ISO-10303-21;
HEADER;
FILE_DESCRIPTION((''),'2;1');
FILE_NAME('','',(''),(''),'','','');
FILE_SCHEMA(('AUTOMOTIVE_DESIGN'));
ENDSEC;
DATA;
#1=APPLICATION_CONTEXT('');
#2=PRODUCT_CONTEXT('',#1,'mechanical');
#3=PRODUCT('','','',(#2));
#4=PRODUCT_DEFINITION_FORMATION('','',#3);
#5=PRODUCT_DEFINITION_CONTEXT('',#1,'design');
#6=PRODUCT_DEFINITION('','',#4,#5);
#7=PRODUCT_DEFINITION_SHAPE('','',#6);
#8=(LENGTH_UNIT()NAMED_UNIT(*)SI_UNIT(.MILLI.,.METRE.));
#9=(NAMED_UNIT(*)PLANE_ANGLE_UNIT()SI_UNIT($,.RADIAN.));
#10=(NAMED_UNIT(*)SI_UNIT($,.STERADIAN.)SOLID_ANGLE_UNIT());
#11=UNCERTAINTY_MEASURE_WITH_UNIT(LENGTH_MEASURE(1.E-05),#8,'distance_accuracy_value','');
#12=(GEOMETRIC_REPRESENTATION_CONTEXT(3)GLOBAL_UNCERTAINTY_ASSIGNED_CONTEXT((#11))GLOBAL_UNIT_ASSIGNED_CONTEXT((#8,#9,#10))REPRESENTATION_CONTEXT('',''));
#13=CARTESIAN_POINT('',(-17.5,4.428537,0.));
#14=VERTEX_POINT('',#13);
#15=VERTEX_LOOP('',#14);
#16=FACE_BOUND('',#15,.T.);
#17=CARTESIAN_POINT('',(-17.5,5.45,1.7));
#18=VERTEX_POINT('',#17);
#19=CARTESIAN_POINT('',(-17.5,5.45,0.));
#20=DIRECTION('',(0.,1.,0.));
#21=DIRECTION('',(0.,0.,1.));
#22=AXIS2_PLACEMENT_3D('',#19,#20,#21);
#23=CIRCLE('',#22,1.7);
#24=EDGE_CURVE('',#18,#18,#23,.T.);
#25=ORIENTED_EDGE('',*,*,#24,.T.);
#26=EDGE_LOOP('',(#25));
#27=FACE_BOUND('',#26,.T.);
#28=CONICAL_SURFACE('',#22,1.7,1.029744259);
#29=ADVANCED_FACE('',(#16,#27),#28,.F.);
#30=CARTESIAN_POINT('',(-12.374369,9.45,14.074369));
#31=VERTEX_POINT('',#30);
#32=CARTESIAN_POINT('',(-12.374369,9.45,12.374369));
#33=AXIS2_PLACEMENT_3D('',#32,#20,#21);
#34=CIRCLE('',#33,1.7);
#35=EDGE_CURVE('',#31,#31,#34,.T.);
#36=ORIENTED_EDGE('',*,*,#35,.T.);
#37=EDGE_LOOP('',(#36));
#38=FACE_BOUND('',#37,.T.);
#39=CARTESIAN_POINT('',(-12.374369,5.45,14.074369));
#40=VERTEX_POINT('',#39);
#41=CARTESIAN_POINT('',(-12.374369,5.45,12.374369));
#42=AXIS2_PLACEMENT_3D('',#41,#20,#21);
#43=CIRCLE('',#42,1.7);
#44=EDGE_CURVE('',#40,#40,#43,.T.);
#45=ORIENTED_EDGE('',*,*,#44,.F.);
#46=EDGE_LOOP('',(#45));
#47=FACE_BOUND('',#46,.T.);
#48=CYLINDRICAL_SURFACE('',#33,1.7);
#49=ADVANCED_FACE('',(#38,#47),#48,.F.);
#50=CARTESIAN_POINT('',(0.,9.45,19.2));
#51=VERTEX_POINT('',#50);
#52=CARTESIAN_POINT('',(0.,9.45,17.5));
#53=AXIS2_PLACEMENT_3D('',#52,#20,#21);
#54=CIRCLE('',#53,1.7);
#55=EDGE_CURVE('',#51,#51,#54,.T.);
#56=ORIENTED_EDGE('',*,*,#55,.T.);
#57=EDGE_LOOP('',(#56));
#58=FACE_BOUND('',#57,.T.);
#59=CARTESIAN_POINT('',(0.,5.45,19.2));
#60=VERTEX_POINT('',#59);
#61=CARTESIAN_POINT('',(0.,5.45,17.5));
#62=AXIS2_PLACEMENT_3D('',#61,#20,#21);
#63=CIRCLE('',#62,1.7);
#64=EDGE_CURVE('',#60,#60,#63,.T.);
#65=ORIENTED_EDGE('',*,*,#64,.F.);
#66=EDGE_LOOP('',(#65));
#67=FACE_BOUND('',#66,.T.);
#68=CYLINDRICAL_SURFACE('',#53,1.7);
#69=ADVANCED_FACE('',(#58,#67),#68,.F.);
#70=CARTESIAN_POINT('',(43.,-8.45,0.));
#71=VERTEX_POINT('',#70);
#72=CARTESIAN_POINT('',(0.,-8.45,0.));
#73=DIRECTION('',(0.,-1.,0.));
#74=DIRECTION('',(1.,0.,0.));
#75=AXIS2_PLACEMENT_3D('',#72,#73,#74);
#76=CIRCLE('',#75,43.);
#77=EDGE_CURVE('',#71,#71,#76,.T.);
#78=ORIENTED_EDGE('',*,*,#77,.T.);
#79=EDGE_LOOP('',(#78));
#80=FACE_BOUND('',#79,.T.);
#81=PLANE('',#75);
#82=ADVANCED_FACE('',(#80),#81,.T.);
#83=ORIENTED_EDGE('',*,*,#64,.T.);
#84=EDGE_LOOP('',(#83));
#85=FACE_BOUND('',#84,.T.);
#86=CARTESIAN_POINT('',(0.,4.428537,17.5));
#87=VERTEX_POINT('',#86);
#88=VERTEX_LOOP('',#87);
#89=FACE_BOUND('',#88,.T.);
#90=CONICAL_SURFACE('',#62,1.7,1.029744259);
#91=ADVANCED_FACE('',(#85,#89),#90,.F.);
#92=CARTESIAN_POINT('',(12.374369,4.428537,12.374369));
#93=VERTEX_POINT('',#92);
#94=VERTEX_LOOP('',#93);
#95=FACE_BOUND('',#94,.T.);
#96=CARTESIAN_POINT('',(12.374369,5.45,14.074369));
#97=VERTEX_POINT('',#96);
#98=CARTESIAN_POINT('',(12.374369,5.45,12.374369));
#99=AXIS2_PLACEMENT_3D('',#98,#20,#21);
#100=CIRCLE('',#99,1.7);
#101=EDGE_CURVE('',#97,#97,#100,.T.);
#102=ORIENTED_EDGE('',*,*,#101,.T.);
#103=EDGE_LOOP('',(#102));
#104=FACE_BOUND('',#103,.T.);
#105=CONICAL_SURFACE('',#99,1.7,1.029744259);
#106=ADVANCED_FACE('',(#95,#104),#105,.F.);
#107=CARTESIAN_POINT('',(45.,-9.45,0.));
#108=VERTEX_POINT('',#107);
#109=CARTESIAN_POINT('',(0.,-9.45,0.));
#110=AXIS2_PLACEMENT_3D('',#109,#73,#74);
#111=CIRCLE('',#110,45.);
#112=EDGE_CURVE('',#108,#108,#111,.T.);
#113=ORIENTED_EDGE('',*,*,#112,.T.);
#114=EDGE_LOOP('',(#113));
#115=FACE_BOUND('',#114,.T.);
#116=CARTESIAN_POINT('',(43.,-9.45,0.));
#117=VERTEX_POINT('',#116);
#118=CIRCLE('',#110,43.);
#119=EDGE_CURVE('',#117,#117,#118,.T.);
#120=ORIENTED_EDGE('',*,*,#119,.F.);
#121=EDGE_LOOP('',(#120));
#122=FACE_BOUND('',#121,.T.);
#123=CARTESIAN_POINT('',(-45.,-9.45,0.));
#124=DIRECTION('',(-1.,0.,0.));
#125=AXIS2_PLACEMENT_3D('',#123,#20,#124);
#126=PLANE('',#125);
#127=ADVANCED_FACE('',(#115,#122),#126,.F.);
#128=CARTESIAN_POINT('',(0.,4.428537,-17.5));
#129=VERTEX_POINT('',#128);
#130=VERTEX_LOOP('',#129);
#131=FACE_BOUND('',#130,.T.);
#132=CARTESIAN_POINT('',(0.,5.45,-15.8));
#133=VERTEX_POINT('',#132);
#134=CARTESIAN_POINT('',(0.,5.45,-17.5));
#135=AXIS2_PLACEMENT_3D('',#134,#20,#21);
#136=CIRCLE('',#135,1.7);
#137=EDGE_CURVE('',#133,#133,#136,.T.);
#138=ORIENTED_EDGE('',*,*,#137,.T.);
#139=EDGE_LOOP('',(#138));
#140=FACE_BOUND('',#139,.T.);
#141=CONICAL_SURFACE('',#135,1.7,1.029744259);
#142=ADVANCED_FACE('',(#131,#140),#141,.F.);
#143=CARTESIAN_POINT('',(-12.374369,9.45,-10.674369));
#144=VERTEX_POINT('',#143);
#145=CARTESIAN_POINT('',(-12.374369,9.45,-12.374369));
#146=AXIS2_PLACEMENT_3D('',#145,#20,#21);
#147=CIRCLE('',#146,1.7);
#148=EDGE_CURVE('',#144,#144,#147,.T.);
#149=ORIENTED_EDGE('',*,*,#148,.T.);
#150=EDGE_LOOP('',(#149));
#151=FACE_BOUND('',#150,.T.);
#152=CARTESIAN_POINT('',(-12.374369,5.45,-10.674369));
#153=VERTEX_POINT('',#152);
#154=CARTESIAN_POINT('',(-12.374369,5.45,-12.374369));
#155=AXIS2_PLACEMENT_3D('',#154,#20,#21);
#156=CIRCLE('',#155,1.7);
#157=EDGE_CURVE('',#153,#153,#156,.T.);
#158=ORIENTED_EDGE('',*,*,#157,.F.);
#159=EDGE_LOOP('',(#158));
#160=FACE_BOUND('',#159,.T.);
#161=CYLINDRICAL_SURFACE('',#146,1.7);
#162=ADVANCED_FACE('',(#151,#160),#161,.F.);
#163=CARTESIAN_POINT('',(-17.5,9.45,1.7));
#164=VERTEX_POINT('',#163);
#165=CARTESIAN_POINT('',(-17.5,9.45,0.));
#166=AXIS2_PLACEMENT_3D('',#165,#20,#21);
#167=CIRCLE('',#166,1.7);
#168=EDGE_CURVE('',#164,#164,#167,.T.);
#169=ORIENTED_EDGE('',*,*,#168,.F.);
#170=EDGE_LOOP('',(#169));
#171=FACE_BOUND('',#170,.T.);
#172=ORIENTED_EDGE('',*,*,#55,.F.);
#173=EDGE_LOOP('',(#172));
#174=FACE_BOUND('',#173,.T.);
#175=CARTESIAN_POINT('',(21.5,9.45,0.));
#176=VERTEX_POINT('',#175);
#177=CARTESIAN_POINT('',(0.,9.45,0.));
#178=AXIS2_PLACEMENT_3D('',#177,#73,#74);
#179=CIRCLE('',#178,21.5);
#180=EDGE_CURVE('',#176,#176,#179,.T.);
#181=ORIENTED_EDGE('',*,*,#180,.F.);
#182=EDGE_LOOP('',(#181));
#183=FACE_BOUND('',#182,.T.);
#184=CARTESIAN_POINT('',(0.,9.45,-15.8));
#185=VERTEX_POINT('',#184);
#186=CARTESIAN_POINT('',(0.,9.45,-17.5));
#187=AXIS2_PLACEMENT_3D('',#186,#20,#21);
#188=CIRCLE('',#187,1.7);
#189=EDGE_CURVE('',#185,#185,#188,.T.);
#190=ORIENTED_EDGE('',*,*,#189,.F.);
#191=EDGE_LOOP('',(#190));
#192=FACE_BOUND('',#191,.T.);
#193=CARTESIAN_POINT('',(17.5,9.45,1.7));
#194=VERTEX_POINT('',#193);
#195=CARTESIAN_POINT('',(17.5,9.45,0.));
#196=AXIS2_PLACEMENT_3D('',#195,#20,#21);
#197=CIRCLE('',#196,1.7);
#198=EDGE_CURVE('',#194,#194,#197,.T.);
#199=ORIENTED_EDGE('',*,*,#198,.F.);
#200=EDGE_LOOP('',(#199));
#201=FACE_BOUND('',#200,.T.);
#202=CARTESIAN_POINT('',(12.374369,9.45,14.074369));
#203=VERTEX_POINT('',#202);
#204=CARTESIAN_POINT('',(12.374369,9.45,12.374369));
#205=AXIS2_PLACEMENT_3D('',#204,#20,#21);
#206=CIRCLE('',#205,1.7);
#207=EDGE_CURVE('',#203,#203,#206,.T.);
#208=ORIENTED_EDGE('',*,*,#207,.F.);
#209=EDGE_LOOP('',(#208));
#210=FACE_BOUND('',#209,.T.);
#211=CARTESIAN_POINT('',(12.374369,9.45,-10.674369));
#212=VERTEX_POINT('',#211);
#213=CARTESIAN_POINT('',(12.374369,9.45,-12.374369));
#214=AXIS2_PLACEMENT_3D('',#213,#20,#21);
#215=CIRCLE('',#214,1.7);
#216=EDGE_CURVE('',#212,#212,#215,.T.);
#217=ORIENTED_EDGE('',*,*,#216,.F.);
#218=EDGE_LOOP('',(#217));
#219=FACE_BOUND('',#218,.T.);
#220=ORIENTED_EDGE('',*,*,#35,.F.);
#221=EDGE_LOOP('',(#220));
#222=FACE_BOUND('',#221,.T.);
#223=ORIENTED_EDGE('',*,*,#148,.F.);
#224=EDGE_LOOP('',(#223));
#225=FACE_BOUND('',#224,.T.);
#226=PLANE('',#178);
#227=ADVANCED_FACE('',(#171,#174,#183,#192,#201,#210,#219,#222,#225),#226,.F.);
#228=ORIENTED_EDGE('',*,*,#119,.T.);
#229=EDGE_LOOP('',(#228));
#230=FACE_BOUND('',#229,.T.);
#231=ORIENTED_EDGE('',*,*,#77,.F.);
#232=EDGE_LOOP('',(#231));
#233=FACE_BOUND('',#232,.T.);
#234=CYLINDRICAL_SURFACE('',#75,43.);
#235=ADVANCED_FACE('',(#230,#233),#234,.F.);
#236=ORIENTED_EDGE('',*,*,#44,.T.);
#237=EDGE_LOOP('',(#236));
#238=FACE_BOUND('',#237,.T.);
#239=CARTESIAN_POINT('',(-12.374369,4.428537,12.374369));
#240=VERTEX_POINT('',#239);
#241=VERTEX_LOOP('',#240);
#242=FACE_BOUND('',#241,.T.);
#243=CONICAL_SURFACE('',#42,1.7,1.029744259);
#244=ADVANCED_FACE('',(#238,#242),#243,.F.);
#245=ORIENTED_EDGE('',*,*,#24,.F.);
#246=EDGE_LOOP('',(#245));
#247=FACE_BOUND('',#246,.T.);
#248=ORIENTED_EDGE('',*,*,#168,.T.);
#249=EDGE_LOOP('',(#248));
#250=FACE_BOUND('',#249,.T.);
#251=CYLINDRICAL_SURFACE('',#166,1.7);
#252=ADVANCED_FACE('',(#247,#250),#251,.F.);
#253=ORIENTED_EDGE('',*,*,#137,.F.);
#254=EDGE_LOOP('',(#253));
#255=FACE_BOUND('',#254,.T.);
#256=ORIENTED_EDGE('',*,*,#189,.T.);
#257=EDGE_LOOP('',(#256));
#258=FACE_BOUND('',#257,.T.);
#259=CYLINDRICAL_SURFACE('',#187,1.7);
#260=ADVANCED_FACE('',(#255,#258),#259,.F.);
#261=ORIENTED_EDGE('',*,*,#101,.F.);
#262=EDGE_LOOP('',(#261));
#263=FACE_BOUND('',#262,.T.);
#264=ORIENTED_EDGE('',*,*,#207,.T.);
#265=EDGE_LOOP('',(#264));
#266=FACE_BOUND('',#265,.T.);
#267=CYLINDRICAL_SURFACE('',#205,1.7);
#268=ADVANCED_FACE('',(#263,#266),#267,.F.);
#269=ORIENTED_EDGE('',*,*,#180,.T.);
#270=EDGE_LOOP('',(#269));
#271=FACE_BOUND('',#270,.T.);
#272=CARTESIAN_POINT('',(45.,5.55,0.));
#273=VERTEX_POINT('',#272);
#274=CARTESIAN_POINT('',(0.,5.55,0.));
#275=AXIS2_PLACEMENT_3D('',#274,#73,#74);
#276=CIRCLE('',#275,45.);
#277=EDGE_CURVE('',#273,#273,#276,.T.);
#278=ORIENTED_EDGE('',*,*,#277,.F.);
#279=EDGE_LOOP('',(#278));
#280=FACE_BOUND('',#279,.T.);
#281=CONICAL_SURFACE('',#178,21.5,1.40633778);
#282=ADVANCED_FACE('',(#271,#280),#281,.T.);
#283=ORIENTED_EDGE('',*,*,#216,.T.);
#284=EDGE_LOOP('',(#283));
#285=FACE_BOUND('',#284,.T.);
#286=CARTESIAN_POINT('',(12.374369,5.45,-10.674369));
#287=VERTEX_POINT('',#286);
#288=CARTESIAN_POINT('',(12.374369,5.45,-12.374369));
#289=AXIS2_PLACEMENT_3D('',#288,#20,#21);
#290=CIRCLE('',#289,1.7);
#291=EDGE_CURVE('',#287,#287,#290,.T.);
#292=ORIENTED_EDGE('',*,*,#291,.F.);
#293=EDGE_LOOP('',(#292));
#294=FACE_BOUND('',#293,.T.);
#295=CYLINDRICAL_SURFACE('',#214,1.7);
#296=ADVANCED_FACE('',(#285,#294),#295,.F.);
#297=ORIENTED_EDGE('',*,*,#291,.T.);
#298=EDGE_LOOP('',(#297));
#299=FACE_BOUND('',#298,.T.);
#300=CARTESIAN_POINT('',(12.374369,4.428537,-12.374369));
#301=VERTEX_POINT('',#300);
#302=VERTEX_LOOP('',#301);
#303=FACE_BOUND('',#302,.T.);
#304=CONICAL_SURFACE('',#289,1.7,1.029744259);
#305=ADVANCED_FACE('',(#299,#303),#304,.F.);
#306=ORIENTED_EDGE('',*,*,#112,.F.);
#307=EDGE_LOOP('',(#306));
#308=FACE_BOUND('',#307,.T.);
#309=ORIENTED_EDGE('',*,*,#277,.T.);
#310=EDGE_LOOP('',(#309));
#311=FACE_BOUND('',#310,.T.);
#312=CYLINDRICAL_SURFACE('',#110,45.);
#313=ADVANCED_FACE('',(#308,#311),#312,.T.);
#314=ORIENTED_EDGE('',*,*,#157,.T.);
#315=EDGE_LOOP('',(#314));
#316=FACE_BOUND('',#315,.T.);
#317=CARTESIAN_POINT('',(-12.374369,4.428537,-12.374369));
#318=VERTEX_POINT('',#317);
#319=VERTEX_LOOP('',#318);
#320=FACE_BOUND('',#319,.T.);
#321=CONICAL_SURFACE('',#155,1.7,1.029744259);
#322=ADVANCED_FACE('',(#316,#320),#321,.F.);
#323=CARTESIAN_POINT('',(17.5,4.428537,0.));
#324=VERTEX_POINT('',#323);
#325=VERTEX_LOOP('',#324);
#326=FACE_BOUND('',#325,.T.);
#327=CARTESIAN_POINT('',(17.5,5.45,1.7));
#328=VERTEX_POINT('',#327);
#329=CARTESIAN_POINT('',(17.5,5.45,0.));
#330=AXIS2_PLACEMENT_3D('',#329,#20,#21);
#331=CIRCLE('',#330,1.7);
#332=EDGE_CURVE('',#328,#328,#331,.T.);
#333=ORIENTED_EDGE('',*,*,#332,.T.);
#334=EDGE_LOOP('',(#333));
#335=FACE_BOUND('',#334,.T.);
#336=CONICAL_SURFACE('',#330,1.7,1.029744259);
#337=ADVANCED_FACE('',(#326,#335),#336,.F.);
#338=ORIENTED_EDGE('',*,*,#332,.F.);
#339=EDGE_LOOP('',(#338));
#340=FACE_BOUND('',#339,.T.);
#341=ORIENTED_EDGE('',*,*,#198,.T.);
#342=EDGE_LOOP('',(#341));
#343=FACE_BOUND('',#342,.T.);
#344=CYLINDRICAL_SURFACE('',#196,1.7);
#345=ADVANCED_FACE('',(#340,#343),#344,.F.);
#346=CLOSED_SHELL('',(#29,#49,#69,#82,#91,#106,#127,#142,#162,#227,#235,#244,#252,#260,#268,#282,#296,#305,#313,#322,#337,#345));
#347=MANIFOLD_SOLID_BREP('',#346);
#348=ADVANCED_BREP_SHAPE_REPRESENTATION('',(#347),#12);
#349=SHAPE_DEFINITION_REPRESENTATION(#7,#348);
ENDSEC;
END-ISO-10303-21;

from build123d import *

# Parameters (mm, degrees)
SKETCH2_R                = 43
CUT_EXTRUDE1_DEPTH       = 1
M3_CLEARANCE_HOLE1_D     = 3.4
M3_CLEARANCE_HOLE1_DEPTH = 4
M3_CLEARANCE_HOLE1_TIP   = 1.021463052


with BuildPart() as part:
    # Sketch1 → Revolve1 (revolve)
    with BuildSketch(Plane.XY, mode=Mode.PRIVATE) as revolve1_sk:
        Polygon((0, -9.45), (0, 9.45), (-21.5, 9.45), (-45, 5.55), (-45, -9.45), align=None)
    revolve(revolve1_sk.sketch.rotate(Axis((0, -9.45, 0), (0, 1, 0)), 180), axis=Axis((0, -9.45, 0), (0, 1, 0)))

    # Sketch2 → Cut-Extrude1 (cut)
    with BuildSketch(Plane.XZ.offset(9.45)):
        Circle(SKETCH2_R)
    extrude(amount=-CUT_EXTRUDE1_DEPTH, mode=Mode.SUBTRACT)

    # M3 Clearance Hole1
    with Locations(Plane(origin=(0, 9.45, 0), x_dir=(1, 0, 0), z_dir=(0, 1, 0))):
        with Locations((0, 17.5), (-12.374368671, 12.374368671), (-17.5, 0), (-12.374368671, -12.374368671), (0, -17.5), (12.374368671, -12.374368671), (17.5, 0), (12.374368671, 12.374368671)):
            Hole(M3_CLEARANCE_HOLE1_D / 2, depth=M3_CLEARANCE_HOLE1_DEPTH)
            with Locations((0, 0, -(M3_CLEARANCE_HOLE1_DEPTH + M3_CLEARANCE_HOLE1_TIP / 2))):  # 118° drill point
                Cone(0, M3_CLEARANCE_HOLE1_D / 2, M3_CLEARANCE_HOLE1_TIP, mode=Mode.SUBTRACT)


solid = part.part
